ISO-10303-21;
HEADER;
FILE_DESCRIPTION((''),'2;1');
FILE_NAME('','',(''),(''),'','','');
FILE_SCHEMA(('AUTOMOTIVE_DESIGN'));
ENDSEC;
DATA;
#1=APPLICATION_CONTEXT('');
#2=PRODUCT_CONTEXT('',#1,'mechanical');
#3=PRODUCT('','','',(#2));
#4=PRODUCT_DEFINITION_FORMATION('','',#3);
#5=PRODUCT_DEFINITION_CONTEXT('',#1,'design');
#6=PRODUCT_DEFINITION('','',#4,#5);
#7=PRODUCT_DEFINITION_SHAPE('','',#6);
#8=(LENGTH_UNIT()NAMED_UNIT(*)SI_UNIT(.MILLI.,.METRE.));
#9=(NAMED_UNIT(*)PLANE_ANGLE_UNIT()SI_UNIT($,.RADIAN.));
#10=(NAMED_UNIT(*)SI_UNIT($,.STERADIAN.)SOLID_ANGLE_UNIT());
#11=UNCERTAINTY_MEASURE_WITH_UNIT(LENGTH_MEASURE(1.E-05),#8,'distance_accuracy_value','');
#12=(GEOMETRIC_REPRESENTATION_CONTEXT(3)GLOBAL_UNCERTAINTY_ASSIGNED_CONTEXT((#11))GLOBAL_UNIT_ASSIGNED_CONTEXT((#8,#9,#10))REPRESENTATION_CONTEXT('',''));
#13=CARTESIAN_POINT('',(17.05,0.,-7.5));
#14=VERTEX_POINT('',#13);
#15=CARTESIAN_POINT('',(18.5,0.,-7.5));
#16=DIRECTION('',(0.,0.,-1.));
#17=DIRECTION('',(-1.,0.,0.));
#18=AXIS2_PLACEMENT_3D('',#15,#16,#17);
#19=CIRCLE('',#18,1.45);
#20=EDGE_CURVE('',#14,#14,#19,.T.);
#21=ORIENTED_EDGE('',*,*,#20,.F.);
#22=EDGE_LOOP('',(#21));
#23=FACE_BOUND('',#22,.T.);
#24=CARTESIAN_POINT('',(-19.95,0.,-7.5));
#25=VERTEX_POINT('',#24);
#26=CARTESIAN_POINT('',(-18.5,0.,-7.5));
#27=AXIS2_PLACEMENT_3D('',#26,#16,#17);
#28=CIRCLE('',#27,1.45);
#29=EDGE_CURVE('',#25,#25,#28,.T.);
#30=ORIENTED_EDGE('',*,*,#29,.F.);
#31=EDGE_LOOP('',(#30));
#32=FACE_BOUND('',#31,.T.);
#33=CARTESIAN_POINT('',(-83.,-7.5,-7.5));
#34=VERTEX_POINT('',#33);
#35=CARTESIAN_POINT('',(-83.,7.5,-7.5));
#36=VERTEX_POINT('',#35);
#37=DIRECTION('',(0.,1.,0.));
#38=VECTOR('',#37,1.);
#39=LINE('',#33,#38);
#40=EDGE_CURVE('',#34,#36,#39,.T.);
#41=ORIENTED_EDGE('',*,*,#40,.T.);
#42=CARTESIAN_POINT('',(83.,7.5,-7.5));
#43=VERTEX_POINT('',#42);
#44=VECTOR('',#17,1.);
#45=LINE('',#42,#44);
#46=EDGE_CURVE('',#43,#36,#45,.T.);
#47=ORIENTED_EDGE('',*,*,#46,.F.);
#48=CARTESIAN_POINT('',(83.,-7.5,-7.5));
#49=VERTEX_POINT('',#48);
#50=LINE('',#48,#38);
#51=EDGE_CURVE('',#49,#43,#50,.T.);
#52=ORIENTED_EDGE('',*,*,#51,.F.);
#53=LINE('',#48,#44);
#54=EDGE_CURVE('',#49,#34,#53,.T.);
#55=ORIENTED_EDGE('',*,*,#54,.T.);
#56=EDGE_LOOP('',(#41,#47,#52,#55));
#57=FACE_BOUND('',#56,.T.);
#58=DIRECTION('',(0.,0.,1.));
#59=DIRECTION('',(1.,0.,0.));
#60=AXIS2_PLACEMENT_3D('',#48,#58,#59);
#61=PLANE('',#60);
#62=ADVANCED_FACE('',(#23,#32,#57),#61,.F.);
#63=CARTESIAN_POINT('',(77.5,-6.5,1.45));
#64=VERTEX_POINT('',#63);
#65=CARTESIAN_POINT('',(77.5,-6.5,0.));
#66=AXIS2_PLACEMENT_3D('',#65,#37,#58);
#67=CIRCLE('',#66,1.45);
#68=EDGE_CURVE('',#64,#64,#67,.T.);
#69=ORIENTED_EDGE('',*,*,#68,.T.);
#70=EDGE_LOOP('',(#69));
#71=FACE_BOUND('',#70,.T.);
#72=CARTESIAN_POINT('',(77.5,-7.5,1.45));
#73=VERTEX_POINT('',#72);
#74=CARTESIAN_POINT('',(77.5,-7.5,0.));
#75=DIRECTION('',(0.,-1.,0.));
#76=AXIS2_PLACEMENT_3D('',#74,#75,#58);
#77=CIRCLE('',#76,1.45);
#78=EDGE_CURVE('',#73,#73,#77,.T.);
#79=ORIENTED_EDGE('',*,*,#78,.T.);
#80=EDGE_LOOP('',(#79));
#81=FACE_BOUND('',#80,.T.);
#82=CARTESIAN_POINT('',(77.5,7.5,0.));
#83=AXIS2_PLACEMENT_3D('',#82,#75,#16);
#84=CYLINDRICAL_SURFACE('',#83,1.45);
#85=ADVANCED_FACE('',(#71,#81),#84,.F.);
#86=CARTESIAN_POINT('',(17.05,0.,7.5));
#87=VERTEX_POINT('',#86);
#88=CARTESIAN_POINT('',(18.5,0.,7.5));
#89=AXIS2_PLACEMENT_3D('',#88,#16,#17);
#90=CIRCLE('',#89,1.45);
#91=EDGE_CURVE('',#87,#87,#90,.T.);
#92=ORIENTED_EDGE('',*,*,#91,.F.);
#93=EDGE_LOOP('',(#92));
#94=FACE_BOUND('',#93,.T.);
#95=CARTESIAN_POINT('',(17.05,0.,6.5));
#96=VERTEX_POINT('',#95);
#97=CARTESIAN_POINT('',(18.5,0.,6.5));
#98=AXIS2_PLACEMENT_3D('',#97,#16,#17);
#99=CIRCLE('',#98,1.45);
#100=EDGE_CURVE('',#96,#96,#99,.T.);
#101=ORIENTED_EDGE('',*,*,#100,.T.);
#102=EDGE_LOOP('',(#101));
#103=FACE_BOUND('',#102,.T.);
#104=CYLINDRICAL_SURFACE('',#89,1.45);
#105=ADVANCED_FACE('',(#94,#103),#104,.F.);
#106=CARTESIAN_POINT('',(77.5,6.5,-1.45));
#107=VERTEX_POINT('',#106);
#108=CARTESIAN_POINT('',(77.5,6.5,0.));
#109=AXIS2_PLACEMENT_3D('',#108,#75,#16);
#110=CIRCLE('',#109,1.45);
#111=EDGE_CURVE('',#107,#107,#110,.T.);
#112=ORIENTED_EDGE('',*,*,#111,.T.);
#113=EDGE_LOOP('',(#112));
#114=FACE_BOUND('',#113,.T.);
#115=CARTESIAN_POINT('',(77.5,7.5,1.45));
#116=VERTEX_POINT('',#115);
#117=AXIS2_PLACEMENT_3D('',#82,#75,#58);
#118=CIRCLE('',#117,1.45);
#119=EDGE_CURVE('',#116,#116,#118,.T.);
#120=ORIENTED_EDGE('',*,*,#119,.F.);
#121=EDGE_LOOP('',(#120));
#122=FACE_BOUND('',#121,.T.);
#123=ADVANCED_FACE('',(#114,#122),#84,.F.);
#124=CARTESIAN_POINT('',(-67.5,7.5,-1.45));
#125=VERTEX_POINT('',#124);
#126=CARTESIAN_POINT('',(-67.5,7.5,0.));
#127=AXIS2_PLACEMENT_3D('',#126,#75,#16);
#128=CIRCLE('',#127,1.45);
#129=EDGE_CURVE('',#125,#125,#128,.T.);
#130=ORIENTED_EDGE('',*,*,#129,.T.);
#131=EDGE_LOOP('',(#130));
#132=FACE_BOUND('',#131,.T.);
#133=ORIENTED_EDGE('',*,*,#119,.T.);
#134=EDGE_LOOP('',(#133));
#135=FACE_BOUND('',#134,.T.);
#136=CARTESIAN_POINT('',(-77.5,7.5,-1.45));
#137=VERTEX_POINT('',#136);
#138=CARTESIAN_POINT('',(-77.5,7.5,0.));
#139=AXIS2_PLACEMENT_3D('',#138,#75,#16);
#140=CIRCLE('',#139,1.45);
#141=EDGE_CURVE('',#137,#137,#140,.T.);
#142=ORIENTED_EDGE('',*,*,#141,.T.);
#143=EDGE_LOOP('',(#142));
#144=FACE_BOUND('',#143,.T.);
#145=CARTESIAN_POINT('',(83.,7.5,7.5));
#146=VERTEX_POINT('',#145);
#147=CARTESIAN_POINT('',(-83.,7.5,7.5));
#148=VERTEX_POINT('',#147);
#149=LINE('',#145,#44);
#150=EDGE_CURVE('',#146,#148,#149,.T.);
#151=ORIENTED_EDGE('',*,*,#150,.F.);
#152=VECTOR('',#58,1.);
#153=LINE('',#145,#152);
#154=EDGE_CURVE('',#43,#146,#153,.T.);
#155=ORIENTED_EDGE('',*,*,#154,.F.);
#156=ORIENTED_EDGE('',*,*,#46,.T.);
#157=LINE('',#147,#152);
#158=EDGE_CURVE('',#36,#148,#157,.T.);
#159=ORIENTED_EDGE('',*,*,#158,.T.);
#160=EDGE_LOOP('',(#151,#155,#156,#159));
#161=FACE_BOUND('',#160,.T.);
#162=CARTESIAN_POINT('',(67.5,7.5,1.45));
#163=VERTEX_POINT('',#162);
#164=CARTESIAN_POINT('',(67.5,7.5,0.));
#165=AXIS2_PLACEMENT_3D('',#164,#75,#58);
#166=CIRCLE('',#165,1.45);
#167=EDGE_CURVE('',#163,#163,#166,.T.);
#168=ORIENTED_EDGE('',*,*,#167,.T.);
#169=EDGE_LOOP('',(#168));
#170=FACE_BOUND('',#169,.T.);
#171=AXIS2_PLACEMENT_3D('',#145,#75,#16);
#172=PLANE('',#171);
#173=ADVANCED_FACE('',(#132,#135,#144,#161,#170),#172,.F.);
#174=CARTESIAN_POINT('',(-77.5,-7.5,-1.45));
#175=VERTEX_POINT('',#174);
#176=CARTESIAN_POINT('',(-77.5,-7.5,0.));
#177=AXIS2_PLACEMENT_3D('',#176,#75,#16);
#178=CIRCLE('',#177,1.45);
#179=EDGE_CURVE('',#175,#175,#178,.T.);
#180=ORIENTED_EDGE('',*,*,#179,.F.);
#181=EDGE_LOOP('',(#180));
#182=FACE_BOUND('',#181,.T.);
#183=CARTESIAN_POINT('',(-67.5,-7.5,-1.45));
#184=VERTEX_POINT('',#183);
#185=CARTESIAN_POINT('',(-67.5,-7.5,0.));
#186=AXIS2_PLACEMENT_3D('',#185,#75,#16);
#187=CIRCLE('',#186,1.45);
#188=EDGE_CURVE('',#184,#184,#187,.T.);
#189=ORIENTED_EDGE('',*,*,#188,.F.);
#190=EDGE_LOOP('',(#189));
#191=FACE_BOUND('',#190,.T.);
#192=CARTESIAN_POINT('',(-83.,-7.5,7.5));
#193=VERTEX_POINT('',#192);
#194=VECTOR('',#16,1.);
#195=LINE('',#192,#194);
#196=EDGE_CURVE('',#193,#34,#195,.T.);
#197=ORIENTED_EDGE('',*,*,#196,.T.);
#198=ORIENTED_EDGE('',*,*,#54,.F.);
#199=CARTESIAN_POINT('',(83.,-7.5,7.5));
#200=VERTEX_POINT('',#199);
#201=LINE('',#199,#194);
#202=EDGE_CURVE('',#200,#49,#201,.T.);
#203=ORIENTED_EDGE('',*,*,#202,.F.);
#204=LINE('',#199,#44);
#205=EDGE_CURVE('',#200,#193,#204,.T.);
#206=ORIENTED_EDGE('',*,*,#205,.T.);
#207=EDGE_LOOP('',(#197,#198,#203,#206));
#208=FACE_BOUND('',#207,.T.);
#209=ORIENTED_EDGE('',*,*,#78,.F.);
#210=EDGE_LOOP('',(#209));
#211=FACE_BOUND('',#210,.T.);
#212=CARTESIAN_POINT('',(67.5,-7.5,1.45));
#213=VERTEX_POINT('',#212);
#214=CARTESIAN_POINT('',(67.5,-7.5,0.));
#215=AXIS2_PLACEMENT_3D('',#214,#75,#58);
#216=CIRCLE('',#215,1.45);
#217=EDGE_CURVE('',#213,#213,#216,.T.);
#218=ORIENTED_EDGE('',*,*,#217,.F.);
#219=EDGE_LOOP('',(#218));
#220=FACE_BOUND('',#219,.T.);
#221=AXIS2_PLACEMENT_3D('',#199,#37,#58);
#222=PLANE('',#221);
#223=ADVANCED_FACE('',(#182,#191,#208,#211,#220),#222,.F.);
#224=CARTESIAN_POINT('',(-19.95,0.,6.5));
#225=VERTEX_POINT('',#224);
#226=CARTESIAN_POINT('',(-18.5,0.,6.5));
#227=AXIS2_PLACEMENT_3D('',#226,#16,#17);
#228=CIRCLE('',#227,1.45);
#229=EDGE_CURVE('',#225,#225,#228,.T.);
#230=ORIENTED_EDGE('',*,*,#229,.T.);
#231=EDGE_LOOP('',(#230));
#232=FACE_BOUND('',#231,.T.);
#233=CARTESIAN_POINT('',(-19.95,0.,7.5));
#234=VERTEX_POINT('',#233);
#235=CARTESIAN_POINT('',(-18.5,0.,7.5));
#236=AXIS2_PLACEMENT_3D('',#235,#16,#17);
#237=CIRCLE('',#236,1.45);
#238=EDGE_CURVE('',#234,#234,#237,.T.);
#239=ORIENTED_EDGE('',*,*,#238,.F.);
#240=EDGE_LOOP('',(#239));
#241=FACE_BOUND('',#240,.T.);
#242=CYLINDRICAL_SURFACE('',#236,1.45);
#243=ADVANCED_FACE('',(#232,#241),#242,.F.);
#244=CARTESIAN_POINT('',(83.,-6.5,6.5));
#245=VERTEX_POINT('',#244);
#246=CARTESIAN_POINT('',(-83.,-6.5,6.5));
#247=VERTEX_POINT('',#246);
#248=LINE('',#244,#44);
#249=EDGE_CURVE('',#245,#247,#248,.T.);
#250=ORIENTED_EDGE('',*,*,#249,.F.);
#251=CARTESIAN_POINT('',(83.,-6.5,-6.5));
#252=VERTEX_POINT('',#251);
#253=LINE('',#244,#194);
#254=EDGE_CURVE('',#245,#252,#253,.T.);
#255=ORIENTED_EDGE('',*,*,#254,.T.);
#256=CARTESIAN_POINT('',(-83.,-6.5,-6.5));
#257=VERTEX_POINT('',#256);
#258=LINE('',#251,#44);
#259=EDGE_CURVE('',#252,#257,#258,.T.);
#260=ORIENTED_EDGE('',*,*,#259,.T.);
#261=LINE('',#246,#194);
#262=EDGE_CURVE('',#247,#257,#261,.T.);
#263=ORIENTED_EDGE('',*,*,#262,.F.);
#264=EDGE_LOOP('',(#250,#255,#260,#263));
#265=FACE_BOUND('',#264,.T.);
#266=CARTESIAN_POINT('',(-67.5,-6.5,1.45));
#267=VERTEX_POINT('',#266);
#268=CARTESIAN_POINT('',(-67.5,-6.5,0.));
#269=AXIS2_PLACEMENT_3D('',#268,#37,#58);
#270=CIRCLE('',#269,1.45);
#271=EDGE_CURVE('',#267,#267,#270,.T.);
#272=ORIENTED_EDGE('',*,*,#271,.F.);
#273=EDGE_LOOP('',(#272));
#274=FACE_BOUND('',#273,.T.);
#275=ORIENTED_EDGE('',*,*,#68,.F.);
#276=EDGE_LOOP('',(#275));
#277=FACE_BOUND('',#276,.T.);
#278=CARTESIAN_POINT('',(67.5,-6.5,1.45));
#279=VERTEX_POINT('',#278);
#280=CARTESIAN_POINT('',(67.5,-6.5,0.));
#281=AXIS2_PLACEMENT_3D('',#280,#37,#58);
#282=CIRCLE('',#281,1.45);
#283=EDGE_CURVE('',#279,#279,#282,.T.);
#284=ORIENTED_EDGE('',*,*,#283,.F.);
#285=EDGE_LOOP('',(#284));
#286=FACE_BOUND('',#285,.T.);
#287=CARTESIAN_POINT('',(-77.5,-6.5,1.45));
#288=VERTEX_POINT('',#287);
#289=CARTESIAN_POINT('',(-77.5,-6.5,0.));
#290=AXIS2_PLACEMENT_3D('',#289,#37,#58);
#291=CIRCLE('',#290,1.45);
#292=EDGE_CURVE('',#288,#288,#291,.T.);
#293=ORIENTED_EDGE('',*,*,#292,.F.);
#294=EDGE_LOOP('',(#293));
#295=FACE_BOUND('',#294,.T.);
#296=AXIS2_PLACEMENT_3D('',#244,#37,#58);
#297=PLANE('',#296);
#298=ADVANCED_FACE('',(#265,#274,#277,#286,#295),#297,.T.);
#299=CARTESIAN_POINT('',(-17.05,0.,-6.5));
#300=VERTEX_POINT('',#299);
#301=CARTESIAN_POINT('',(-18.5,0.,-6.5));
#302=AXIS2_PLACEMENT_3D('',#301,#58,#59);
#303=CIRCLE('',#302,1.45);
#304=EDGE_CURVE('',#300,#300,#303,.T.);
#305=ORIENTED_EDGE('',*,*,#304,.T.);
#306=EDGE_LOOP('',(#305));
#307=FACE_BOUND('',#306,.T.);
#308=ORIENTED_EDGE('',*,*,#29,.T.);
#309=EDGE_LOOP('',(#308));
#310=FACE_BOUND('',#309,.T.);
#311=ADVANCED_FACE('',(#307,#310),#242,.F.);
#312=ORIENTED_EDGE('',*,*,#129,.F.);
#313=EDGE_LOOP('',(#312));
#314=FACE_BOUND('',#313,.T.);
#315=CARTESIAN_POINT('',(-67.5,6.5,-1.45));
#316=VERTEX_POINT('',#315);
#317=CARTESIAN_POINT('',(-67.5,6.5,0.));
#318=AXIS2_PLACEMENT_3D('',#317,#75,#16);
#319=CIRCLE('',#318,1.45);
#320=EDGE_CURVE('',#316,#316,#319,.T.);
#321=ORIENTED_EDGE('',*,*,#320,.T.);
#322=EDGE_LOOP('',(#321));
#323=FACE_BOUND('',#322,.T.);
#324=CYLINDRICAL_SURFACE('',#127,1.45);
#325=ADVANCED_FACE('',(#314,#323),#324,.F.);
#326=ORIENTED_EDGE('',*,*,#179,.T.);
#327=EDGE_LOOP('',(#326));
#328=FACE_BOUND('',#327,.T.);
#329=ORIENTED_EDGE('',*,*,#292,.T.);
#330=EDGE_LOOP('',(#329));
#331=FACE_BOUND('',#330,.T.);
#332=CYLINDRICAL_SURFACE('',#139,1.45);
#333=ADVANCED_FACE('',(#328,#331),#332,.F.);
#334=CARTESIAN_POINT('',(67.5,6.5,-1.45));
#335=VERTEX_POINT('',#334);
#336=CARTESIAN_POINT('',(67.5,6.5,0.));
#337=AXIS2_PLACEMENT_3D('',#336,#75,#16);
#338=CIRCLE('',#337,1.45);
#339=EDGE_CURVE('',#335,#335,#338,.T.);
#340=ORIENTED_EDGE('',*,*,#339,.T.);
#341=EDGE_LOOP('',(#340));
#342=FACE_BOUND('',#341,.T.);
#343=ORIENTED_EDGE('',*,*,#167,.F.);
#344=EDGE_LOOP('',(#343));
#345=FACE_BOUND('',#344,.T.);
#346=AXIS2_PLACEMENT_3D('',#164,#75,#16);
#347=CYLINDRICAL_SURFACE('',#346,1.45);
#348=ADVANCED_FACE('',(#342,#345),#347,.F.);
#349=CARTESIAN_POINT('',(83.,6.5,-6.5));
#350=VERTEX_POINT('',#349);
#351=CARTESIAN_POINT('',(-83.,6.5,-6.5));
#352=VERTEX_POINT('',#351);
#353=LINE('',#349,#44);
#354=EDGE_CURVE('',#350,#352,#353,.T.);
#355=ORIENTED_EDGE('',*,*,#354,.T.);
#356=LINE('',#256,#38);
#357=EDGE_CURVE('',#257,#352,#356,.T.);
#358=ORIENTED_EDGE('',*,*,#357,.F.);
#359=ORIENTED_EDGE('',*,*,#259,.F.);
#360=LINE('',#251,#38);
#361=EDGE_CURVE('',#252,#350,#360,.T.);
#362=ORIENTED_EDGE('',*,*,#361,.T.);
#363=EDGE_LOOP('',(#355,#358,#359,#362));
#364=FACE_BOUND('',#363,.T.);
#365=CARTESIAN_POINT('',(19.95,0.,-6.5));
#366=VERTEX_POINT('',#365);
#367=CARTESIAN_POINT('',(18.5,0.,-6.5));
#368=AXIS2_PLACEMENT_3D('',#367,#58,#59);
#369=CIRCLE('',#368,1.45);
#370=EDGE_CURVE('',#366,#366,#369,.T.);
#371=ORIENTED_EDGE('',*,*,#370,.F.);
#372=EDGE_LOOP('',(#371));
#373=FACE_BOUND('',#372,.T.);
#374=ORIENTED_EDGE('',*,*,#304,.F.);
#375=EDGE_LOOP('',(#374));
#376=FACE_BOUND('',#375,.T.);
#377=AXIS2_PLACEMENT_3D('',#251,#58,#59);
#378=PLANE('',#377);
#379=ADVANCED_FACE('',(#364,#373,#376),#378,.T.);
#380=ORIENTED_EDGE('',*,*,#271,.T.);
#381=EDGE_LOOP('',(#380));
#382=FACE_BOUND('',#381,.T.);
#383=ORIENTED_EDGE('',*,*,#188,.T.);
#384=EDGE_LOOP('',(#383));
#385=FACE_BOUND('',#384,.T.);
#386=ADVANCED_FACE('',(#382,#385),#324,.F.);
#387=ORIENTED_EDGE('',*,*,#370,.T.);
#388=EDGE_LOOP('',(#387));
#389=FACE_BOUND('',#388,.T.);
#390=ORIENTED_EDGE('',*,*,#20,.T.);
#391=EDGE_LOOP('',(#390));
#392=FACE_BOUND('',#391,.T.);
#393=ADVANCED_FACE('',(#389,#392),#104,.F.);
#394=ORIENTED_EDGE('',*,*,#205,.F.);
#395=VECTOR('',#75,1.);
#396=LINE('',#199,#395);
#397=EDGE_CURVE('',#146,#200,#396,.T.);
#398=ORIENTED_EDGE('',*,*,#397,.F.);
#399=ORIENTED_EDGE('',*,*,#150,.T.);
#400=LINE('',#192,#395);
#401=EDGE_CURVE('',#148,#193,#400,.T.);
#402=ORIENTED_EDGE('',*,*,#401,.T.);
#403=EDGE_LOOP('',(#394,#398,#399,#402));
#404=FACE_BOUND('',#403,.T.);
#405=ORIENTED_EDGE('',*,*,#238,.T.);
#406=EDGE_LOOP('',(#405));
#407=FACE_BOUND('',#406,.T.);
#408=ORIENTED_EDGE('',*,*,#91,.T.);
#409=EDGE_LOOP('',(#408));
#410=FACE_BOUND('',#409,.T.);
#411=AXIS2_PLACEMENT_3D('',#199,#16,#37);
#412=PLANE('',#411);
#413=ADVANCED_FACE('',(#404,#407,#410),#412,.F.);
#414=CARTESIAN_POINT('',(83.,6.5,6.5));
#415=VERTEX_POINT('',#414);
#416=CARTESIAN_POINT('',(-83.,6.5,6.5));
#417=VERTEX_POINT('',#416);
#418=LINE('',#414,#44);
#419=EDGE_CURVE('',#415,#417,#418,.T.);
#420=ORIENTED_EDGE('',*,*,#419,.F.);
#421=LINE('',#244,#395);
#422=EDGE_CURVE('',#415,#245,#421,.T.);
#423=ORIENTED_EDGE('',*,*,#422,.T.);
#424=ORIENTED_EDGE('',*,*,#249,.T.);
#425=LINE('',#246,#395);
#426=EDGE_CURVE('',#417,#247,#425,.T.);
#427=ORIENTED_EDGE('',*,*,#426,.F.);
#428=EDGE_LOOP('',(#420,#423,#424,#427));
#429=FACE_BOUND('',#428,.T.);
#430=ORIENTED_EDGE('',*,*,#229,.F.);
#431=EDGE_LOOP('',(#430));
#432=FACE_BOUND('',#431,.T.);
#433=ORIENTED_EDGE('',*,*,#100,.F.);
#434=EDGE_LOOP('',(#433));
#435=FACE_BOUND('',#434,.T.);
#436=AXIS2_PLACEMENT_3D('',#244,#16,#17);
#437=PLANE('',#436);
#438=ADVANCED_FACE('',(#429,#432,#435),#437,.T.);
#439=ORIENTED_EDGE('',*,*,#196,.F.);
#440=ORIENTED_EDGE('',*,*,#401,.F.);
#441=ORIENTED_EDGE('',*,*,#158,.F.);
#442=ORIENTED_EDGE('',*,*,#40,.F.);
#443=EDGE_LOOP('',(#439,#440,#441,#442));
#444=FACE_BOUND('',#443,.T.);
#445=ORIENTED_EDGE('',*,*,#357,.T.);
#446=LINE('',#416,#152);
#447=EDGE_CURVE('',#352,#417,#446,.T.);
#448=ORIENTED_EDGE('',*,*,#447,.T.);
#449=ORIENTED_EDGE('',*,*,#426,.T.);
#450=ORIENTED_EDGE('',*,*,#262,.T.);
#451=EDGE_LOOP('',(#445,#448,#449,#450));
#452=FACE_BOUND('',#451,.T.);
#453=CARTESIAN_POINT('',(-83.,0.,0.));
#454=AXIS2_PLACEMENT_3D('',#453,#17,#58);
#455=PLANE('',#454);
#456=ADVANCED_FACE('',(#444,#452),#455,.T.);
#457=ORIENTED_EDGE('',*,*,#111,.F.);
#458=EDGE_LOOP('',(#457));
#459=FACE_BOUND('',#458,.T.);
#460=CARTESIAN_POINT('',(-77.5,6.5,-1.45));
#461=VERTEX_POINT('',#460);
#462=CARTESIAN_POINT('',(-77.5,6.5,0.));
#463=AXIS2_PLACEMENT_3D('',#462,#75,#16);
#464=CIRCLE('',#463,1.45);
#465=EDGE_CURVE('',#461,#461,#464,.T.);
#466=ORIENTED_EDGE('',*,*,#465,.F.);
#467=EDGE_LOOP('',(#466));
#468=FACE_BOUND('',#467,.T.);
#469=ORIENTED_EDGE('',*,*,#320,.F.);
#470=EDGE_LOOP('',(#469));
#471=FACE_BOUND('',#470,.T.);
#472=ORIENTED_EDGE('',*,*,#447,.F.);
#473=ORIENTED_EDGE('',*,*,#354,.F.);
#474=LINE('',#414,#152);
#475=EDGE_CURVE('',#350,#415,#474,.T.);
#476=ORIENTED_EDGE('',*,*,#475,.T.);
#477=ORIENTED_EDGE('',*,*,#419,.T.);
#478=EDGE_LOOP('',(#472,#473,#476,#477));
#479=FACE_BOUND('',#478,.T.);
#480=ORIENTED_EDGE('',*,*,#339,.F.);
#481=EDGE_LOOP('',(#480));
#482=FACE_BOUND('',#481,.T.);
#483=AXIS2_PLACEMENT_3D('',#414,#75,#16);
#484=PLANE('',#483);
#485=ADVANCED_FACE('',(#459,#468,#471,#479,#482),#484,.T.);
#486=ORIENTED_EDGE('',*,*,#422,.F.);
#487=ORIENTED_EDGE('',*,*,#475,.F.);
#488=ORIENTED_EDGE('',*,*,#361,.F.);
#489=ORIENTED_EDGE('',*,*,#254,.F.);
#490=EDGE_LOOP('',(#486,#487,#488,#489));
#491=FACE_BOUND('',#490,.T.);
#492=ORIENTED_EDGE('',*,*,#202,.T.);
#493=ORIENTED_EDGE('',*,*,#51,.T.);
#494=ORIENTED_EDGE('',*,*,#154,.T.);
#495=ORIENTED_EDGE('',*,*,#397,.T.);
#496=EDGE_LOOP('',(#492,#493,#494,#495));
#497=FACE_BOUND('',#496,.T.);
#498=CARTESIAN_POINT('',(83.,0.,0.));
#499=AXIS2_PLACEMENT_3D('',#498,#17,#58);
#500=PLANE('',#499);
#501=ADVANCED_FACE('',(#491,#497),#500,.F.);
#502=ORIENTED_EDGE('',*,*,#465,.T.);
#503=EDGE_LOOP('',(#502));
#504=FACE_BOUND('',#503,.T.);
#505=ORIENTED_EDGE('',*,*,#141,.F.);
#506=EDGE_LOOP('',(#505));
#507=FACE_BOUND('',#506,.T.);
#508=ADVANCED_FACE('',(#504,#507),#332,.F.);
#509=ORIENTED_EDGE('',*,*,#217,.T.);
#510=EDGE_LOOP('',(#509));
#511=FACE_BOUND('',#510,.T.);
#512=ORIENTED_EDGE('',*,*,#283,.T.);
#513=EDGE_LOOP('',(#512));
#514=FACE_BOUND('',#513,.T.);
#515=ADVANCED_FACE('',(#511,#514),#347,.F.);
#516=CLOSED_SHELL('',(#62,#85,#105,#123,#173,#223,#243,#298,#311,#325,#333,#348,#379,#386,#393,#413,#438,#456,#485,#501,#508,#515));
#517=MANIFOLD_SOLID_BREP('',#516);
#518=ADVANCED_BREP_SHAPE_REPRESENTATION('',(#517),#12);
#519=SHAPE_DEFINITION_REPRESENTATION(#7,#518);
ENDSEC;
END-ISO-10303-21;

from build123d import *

# Parameters (mm, degrees)
SKETCH_11_W         = 15
SKETCH_11_H         = 15
SKETCH_11_W_2       = 13
SKETCH_11_H_2       = 13
F_15X15X1_1_DEPTH   = 166
SKETCH_12_R         = 1.45
CUT_EXTRUDE_1_DEPTH = 85.677328725
SKETCH_13_R         = 1.45
CUT_EXTRUDE_2_DEPTH = 85.677328725


with BuildPart() as part:
    # 草图11 → 铝管 15X15X1(1) (new body)
    with BuildSketch(Plane(origin=(-83, 0, 0), x_dir=(0, 0, -1), z_dir=(1, 0, 0))):
        Rectangle(SKETCH_11_W, SKETCH_11_H)
        Rectangle(SKETCH_11_W_2, SKETCH_11_H_2, mode=Mode.SUBTRACT)
    extrude(amount=F_15X15X1_1_DEPTH)

    # 草图12 → 切除-拉伸1 (cut, through all)
    with BuildSketch(Plane(origin=(0, 0, -7.5), x_dir=(-1, 0, 0), z_dir=(0, 0, -1))):
        with Locations((-18.5, 0)):
            Circle(SKETCH_12_R)
        with Locations((18.5, 0)):
            Circle(SKETCH_12_R)
    extrude(amount=-CUT_EXTRUDE_1_DEPTH, mode=Mode.SUBTRACT)

    # 草图13 → 切除-拉伸2 (cut, through all)
    with BuildSketch(Plane.XZ.offset(7.5)):
        with Locations(Location((-77.5, 0, 0), (0, 0, 270))):
            Circle(SKETCH_13_R)
        with Locations(Location((-67.5, 0, 0), (0, 0, 270))):
            Circle(SKETCH_13_R)
        with Locations(Location((67.5, 0, 0), (0, 0, 270))):
            Circle(SKETCH_13_R)
        with Locations(Location((77.5, 0, 0), (0, 0, 270))):
            Circle(SKETCH_13_R)
    extrude(amount=-CUT_EXTRUDE_2_DEPTH, mode=Mode.SUBTRACT)


solid = part.part
